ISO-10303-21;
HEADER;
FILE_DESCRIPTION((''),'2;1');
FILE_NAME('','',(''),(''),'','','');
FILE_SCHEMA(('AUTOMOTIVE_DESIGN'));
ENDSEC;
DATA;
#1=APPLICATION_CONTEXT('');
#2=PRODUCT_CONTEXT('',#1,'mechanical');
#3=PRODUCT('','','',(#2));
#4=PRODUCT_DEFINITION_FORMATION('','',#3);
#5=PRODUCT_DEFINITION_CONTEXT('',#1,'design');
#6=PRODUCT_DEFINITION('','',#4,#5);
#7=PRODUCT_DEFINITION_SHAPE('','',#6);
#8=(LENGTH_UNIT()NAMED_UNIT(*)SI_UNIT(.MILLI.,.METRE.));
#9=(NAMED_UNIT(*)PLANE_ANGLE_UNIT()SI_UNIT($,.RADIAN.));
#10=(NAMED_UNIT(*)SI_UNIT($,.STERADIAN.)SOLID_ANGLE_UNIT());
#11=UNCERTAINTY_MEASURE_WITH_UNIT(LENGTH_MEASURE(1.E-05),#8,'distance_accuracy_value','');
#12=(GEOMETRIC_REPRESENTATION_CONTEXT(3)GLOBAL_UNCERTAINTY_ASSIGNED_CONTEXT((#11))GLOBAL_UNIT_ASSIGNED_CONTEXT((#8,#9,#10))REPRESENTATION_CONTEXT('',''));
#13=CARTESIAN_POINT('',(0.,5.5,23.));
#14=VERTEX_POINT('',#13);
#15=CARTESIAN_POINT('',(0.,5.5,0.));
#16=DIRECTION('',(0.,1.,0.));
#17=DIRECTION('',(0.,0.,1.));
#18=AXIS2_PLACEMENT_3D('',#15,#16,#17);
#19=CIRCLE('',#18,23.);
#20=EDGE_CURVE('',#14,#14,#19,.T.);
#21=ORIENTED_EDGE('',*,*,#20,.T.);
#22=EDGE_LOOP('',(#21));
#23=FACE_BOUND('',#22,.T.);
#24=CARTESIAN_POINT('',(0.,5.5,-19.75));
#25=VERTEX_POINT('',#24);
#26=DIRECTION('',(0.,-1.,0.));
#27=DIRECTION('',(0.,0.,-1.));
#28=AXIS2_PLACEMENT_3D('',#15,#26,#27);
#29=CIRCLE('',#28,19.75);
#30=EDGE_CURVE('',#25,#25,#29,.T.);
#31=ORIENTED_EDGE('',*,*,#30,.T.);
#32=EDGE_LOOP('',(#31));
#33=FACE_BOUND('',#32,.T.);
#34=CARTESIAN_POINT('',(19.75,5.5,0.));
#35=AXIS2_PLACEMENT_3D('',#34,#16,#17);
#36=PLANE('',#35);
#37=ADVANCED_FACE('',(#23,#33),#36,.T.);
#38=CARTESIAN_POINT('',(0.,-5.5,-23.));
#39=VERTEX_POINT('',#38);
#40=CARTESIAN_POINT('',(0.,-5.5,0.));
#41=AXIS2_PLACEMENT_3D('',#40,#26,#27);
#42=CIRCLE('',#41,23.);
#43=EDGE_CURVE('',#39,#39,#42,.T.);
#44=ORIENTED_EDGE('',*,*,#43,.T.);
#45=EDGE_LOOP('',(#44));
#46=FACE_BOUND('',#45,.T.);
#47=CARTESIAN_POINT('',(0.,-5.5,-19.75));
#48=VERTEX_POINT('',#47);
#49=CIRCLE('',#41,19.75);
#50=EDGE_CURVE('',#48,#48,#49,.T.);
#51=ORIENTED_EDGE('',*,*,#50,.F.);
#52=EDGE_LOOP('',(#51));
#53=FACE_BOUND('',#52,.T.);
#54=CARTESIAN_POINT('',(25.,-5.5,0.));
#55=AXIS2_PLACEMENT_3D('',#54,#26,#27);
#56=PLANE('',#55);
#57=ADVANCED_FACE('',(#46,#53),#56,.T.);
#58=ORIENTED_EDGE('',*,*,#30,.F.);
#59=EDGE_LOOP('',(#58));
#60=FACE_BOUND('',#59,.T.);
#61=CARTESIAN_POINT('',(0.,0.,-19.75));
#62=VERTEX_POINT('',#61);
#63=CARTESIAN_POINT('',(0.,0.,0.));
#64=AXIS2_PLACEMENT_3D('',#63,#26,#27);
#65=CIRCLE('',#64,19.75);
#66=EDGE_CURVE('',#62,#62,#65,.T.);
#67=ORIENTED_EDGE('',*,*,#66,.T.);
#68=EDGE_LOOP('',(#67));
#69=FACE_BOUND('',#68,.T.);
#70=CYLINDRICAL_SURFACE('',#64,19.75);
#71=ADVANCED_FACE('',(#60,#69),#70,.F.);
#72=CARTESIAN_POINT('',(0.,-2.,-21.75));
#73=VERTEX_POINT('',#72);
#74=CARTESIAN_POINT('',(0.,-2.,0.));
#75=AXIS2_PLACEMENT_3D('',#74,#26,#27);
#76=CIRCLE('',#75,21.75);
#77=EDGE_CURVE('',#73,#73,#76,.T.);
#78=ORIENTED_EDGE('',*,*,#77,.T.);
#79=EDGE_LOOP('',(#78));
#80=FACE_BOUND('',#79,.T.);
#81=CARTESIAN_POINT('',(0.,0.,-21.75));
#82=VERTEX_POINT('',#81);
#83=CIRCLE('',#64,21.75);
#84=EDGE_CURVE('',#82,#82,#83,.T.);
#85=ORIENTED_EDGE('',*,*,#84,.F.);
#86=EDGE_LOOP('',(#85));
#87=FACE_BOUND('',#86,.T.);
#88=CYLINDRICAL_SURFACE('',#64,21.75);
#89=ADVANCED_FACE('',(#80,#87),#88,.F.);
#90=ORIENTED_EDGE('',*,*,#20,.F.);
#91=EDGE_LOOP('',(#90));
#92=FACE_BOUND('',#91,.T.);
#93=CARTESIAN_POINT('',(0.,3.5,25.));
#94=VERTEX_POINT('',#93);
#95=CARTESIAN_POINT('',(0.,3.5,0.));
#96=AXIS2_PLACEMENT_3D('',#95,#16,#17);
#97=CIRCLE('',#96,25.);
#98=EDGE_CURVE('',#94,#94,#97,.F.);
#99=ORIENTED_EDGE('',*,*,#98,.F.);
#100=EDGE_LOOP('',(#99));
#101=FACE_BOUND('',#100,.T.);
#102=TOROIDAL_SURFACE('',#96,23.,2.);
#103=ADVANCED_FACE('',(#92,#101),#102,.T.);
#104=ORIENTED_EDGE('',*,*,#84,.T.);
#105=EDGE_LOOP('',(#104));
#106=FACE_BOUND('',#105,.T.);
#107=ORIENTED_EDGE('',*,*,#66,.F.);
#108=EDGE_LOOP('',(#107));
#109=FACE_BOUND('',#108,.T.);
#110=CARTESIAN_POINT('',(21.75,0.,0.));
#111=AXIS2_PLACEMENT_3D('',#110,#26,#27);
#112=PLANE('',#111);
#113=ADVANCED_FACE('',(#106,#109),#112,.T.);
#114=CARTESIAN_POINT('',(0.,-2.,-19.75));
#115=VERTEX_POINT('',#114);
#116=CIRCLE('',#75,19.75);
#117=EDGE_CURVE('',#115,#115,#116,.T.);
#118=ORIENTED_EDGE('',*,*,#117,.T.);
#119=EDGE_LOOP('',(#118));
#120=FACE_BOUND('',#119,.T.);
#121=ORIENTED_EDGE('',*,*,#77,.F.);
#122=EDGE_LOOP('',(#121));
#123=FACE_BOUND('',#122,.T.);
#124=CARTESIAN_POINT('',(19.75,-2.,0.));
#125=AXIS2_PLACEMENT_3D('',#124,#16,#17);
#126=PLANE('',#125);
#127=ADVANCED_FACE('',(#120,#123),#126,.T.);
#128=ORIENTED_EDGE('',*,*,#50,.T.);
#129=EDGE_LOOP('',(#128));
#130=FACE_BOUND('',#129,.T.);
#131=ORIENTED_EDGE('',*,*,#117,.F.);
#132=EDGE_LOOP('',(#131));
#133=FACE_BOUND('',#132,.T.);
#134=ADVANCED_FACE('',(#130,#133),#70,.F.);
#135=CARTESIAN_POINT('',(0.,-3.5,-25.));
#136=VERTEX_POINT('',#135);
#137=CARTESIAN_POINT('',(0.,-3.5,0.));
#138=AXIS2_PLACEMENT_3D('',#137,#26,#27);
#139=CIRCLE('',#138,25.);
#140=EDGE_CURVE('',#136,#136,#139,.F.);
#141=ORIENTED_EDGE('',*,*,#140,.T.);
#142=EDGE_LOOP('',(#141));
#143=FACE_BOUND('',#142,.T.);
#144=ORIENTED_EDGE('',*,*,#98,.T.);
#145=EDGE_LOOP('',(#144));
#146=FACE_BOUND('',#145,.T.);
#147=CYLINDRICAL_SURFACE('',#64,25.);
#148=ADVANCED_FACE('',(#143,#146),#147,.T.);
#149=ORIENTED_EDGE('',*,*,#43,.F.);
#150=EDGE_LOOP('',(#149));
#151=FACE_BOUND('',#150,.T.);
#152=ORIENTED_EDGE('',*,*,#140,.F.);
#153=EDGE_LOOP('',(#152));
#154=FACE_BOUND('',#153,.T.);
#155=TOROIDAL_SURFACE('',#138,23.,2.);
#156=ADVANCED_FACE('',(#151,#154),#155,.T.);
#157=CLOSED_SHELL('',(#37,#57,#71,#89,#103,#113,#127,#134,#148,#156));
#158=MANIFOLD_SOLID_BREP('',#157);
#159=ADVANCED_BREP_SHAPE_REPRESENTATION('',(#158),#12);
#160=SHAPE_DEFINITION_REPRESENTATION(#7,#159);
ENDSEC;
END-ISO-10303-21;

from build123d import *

# Parameters (mm, degrees)
FILLET1_R = 2


with BuildPart() as part:
    # Sketch1 → Revolve1 (revolve)
    with BuildSketch(Plane.XY):
        Polygon((19.75, -5.5), (19.75, -2), (21.75, -2), (21.75, 0), (19.75, 0), (19.75, 5.5), (25, 5.5), (25, -5.5), align=None)
    revolve(axis=Axis((0, 0, 0), (0, 1, 0)))

    # Fillet1
    fillet1_edges = [part.edges().sort_by_distance(p)[0] for p in [
        (-25, -5.5, 0),
        (-25, 5.5, 0),
    ]]
    fillet(fillet1_edges, radius=FILLET1_R)


solid = part.part
